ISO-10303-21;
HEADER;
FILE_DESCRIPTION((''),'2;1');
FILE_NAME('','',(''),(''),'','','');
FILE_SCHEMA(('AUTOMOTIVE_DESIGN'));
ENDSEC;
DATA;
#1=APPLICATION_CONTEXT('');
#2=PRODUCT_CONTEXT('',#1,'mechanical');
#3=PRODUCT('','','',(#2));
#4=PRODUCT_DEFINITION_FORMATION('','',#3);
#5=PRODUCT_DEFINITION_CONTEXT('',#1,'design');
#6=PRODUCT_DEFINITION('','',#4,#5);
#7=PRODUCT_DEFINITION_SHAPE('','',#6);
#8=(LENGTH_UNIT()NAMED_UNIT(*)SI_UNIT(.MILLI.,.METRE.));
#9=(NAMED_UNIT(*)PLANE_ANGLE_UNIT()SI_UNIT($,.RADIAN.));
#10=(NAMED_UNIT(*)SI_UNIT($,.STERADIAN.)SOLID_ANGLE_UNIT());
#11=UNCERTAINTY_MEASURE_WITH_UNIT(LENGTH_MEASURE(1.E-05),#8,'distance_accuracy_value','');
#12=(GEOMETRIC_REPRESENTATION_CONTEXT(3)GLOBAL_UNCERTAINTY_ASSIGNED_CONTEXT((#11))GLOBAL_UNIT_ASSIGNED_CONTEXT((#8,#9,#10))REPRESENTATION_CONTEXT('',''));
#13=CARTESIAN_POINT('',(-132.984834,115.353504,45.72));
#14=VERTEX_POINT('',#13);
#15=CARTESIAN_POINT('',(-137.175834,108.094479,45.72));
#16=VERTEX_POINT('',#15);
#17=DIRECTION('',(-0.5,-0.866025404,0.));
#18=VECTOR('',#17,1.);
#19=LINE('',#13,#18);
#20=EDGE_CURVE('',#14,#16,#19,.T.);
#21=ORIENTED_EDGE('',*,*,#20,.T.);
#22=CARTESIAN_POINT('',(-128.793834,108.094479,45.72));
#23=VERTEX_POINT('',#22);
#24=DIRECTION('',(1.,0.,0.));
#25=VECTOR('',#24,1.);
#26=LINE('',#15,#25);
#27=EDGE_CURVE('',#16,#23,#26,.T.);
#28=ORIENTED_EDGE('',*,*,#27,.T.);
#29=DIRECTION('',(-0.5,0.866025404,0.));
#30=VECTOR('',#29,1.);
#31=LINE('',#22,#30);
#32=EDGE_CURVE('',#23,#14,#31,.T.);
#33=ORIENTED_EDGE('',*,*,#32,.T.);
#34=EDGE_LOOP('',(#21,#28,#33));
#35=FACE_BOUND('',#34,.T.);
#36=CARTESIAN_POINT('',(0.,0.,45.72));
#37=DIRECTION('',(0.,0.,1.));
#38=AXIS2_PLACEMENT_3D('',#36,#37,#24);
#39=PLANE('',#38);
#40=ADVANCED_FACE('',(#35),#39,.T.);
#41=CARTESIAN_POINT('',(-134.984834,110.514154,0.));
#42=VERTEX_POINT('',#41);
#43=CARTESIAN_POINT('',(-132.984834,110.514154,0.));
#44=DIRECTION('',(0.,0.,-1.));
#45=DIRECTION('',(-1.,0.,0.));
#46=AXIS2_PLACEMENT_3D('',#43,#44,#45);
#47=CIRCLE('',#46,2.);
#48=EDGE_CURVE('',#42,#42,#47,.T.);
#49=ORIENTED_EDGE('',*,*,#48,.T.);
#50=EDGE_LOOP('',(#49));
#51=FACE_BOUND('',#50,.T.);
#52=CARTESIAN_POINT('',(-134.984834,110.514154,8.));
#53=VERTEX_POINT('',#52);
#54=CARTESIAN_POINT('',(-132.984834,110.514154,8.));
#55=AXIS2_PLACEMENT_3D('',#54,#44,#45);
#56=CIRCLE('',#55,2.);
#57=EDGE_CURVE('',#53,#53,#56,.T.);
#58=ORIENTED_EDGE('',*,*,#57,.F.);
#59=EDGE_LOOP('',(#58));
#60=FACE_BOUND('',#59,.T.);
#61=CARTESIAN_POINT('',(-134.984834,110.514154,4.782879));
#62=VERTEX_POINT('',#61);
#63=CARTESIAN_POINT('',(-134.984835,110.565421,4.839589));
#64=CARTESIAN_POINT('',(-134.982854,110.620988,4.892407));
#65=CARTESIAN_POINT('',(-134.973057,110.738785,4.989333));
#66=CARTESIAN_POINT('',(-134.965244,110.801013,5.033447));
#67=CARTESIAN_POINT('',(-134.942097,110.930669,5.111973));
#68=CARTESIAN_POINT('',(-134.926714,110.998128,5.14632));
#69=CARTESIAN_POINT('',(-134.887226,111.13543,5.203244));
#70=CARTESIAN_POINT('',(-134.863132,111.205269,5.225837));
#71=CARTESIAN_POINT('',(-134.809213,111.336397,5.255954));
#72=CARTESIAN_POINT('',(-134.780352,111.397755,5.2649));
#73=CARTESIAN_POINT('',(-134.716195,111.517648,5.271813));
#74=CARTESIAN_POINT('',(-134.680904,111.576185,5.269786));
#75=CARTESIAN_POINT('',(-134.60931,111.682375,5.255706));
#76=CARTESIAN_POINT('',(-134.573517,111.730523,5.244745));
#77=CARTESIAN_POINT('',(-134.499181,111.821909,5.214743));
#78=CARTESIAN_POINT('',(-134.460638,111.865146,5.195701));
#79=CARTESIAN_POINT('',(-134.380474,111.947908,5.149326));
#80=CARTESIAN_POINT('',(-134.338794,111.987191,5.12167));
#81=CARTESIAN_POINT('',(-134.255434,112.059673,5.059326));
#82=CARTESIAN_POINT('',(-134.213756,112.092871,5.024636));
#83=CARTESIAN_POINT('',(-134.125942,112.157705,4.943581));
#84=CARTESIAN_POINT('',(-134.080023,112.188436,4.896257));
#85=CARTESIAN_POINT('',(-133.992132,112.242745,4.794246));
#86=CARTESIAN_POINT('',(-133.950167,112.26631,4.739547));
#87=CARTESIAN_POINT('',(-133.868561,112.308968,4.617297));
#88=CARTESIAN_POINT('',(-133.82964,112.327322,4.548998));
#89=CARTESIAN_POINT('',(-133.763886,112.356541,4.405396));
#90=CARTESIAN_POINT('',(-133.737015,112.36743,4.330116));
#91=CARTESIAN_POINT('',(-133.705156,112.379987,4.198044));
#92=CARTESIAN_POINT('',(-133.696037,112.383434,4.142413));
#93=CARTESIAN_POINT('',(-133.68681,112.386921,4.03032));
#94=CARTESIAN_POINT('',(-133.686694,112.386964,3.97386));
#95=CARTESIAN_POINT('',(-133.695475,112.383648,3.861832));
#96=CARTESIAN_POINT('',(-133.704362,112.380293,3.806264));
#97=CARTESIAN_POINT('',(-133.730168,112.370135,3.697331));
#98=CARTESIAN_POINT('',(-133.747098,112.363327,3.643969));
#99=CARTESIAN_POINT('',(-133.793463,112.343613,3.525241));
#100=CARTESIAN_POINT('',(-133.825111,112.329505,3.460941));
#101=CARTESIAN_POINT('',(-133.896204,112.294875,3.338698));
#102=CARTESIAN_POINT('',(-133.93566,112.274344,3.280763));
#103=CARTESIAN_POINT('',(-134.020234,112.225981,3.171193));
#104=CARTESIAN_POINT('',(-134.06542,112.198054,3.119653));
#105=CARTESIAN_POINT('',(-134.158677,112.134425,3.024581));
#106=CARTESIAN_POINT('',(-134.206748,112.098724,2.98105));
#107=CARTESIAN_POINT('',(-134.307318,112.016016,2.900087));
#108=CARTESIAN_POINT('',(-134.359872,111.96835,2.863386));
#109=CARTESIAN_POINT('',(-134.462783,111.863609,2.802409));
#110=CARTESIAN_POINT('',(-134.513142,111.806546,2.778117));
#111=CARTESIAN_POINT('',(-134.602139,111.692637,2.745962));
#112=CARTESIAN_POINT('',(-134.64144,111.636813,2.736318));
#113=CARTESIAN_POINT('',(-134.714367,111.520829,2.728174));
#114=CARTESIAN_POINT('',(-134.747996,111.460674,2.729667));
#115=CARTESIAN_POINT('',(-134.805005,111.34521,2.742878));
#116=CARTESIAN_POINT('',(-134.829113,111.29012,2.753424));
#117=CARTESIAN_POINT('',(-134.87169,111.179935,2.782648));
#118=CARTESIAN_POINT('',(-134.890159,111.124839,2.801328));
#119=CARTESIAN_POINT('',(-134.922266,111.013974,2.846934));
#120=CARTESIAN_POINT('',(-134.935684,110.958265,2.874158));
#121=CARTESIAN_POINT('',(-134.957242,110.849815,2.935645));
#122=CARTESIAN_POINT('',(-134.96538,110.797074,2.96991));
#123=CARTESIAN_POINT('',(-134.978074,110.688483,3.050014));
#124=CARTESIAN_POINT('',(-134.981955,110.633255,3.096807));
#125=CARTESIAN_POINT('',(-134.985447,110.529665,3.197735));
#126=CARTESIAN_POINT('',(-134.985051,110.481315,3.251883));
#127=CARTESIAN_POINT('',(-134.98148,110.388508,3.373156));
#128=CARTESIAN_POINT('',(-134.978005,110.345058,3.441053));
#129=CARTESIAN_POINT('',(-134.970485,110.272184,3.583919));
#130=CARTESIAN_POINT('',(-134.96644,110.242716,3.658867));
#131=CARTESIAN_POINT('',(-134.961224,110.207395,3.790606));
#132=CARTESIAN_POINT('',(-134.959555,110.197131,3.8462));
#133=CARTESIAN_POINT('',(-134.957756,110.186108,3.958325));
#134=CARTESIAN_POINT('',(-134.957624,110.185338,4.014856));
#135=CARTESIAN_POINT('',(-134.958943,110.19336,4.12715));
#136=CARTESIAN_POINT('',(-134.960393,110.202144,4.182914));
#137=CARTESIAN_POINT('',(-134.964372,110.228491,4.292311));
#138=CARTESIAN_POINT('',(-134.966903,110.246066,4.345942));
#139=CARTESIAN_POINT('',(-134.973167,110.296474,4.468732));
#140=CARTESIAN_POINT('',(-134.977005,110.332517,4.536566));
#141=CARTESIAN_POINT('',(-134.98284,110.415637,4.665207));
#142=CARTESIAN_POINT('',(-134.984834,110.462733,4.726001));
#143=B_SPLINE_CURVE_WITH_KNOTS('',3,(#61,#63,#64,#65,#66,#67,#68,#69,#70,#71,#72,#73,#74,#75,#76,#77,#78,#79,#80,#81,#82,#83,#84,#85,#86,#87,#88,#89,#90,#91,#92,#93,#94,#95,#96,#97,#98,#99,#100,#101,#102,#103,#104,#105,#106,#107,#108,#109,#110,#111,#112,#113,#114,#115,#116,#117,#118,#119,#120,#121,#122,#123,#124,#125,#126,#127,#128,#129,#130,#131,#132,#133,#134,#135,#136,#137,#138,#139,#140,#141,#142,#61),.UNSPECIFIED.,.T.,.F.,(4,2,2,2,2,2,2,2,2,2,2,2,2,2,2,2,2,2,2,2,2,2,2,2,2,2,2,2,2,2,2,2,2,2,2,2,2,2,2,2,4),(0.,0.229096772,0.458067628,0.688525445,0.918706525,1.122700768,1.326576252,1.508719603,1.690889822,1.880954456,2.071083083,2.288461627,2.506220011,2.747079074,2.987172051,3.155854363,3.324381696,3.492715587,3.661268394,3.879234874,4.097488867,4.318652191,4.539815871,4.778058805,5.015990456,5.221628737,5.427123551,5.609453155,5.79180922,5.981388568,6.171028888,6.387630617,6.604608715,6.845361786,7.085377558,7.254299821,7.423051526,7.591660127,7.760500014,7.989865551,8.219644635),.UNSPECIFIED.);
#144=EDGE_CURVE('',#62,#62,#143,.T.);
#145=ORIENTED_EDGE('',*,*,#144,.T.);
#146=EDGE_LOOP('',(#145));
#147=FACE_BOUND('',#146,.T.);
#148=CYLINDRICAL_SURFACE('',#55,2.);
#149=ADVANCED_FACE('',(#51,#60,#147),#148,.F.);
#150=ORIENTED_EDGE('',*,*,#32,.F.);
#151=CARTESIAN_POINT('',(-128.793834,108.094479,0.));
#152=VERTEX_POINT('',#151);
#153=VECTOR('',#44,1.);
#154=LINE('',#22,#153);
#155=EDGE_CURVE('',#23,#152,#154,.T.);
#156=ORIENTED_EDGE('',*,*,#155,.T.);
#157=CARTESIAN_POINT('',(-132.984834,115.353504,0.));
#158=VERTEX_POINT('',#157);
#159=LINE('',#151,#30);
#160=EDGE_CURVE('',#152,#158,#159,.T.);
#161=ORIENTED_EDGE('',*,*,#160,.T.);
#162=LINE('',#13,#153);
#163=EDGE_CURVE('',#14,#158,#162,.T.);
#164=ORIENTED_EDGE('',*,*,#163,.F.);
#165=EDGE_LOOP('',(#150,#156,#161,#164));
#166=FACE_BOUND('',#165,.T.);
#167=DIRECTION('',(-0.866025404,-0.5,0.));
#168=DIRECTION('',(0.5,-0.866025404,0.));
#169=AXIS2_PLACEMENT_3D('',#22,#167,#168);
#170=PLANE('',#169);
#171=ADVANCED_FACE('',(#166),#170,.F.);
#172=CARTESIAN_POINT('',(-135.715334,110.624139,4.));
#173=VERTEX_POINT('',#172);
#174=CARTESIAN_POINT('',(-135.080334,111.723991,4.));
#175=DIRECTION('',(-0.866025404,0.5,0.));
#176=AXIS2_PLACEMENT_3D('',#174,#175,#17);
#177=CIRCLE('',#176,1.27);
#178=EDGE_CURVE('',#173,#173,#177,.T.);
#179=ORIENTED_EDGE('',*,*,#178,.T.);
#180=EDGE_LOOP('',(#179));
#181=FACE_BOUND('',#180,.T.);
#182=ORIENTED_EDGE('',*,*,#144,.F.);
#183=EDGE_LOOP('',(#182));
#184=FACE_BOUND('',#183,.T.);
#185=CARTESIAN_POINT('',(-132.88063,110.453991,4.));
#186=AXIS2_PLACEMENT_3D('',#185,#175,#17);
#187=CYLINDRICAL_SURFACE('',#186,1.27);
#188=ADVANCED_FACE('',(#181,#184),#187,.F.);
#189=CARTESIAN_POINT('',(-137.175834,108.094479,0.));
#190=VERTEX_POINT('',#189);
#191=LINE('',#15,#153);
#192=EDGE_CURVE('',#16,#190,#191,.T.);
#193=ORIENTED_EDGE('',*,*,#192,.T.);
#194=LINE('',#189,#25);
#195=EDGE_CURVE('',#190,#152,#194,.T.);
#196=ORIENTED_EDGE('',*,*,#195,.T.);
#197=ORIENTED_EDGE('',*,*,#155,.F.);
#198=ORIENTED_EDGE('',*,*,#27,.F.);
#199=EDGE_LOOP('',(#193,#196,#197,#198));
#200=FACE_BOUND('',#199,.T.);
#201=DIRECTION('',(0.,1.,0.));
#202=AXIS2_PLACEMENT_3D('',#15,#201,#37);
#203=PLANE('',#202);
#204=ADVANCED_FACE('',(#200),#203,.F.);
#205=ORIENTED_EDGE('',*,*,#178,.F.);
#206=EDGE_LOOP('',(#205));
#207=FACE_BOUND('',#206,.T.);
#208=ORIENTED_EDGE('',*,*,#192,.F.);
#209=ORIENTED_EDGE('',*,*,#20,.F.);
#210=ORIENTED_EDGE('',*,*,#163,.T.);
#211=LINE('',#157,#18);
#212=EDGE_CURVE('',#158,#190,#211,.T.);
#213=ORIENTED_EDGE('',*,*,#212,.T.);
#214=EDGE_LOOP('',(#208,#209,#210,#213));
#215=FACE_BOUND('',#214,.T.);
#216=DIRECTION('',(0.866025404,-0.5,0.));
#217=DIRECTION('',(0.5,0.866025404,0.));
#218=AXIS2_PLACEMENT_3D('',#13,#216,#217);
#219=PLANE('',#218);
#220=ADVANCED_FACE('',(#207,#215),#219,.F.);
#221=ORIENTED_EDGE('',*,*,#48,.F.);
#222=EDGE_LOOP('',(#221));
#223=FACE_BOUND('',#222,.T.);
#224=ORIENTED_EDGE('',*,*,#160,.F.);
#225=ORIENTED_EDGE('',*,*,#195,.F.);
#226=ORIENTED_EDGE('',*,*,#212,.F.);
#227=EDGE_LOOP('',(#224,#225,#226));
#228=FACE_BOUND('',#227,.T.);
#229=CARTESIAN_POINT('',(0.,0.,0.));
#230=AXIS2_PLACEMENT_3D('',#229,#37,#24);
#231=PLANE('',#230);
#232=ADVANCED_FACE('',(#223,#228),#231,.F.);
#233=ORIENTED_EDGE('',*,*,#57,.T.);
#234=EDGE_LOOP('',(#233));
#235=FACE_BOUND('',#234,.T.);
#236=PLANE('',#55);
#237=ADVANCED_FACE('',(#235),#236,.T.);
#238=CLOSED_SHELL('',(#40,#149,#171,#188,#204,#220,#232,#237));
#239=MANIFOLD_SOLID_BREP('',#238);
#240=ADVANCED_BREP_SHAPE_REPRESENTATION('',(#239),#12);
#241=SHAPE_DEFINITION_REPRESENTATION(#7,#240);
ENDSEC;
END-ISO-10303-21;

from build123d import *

# Parameters (mm, degrees)
BOSS_EXTRUDE1_DEPTH = 45.72
SKETCH3_R           = 2
CUT_EXTRUDE1_DEPTH  = 8
SKETCH4_R           = 1.27
CUT_EXTRUDE2_DEPTH  = 2.54


with BuildPart() as part:
    # Sketch1 → Boss-Extrude1 (new body)
    with BuildSketch(Plane.XY):
        Polygon((-132.98483419, 115.353503619), (-137.17583419, 108.094478684), (-128.79383419, 108.094478684), align=None)
    extrude(amount=BOSS_EXTRUDE1_DEPTH)

    # Sketch3 → Cut-Extrude1 (cut)
    with BuildSketch(Plane(origin=(0, 0, 0), x_dir=(-1, 0, 0), z_dir=(0, 0, -1))):
        with Locations((132.98483419, 110.514153662)):
            Circle(SKETCH3_R)
    extrude(amount=-CUT_EXTRUDE1_DEPTH, mode=Mode.SUBTRACT)

    # Sketch4 → Cut-Extrude2 (cut)
    with BuildSketch(Plane(origin=(-149.688157917, 86.422498268, 0), x_dir=(0, 0, 1), z_dir=(-0.8660254037844388, 0.4999999999999997, 0))):
        with Locations(Location((4, 29.215647454, 0), (0, 0, 270))):
            Circle(SKETCH4_R)
    extrude(amount=-CUT_EXTRUDE2_DEPTH, mode=Mode.SUBTRACT)


solid = part.part
